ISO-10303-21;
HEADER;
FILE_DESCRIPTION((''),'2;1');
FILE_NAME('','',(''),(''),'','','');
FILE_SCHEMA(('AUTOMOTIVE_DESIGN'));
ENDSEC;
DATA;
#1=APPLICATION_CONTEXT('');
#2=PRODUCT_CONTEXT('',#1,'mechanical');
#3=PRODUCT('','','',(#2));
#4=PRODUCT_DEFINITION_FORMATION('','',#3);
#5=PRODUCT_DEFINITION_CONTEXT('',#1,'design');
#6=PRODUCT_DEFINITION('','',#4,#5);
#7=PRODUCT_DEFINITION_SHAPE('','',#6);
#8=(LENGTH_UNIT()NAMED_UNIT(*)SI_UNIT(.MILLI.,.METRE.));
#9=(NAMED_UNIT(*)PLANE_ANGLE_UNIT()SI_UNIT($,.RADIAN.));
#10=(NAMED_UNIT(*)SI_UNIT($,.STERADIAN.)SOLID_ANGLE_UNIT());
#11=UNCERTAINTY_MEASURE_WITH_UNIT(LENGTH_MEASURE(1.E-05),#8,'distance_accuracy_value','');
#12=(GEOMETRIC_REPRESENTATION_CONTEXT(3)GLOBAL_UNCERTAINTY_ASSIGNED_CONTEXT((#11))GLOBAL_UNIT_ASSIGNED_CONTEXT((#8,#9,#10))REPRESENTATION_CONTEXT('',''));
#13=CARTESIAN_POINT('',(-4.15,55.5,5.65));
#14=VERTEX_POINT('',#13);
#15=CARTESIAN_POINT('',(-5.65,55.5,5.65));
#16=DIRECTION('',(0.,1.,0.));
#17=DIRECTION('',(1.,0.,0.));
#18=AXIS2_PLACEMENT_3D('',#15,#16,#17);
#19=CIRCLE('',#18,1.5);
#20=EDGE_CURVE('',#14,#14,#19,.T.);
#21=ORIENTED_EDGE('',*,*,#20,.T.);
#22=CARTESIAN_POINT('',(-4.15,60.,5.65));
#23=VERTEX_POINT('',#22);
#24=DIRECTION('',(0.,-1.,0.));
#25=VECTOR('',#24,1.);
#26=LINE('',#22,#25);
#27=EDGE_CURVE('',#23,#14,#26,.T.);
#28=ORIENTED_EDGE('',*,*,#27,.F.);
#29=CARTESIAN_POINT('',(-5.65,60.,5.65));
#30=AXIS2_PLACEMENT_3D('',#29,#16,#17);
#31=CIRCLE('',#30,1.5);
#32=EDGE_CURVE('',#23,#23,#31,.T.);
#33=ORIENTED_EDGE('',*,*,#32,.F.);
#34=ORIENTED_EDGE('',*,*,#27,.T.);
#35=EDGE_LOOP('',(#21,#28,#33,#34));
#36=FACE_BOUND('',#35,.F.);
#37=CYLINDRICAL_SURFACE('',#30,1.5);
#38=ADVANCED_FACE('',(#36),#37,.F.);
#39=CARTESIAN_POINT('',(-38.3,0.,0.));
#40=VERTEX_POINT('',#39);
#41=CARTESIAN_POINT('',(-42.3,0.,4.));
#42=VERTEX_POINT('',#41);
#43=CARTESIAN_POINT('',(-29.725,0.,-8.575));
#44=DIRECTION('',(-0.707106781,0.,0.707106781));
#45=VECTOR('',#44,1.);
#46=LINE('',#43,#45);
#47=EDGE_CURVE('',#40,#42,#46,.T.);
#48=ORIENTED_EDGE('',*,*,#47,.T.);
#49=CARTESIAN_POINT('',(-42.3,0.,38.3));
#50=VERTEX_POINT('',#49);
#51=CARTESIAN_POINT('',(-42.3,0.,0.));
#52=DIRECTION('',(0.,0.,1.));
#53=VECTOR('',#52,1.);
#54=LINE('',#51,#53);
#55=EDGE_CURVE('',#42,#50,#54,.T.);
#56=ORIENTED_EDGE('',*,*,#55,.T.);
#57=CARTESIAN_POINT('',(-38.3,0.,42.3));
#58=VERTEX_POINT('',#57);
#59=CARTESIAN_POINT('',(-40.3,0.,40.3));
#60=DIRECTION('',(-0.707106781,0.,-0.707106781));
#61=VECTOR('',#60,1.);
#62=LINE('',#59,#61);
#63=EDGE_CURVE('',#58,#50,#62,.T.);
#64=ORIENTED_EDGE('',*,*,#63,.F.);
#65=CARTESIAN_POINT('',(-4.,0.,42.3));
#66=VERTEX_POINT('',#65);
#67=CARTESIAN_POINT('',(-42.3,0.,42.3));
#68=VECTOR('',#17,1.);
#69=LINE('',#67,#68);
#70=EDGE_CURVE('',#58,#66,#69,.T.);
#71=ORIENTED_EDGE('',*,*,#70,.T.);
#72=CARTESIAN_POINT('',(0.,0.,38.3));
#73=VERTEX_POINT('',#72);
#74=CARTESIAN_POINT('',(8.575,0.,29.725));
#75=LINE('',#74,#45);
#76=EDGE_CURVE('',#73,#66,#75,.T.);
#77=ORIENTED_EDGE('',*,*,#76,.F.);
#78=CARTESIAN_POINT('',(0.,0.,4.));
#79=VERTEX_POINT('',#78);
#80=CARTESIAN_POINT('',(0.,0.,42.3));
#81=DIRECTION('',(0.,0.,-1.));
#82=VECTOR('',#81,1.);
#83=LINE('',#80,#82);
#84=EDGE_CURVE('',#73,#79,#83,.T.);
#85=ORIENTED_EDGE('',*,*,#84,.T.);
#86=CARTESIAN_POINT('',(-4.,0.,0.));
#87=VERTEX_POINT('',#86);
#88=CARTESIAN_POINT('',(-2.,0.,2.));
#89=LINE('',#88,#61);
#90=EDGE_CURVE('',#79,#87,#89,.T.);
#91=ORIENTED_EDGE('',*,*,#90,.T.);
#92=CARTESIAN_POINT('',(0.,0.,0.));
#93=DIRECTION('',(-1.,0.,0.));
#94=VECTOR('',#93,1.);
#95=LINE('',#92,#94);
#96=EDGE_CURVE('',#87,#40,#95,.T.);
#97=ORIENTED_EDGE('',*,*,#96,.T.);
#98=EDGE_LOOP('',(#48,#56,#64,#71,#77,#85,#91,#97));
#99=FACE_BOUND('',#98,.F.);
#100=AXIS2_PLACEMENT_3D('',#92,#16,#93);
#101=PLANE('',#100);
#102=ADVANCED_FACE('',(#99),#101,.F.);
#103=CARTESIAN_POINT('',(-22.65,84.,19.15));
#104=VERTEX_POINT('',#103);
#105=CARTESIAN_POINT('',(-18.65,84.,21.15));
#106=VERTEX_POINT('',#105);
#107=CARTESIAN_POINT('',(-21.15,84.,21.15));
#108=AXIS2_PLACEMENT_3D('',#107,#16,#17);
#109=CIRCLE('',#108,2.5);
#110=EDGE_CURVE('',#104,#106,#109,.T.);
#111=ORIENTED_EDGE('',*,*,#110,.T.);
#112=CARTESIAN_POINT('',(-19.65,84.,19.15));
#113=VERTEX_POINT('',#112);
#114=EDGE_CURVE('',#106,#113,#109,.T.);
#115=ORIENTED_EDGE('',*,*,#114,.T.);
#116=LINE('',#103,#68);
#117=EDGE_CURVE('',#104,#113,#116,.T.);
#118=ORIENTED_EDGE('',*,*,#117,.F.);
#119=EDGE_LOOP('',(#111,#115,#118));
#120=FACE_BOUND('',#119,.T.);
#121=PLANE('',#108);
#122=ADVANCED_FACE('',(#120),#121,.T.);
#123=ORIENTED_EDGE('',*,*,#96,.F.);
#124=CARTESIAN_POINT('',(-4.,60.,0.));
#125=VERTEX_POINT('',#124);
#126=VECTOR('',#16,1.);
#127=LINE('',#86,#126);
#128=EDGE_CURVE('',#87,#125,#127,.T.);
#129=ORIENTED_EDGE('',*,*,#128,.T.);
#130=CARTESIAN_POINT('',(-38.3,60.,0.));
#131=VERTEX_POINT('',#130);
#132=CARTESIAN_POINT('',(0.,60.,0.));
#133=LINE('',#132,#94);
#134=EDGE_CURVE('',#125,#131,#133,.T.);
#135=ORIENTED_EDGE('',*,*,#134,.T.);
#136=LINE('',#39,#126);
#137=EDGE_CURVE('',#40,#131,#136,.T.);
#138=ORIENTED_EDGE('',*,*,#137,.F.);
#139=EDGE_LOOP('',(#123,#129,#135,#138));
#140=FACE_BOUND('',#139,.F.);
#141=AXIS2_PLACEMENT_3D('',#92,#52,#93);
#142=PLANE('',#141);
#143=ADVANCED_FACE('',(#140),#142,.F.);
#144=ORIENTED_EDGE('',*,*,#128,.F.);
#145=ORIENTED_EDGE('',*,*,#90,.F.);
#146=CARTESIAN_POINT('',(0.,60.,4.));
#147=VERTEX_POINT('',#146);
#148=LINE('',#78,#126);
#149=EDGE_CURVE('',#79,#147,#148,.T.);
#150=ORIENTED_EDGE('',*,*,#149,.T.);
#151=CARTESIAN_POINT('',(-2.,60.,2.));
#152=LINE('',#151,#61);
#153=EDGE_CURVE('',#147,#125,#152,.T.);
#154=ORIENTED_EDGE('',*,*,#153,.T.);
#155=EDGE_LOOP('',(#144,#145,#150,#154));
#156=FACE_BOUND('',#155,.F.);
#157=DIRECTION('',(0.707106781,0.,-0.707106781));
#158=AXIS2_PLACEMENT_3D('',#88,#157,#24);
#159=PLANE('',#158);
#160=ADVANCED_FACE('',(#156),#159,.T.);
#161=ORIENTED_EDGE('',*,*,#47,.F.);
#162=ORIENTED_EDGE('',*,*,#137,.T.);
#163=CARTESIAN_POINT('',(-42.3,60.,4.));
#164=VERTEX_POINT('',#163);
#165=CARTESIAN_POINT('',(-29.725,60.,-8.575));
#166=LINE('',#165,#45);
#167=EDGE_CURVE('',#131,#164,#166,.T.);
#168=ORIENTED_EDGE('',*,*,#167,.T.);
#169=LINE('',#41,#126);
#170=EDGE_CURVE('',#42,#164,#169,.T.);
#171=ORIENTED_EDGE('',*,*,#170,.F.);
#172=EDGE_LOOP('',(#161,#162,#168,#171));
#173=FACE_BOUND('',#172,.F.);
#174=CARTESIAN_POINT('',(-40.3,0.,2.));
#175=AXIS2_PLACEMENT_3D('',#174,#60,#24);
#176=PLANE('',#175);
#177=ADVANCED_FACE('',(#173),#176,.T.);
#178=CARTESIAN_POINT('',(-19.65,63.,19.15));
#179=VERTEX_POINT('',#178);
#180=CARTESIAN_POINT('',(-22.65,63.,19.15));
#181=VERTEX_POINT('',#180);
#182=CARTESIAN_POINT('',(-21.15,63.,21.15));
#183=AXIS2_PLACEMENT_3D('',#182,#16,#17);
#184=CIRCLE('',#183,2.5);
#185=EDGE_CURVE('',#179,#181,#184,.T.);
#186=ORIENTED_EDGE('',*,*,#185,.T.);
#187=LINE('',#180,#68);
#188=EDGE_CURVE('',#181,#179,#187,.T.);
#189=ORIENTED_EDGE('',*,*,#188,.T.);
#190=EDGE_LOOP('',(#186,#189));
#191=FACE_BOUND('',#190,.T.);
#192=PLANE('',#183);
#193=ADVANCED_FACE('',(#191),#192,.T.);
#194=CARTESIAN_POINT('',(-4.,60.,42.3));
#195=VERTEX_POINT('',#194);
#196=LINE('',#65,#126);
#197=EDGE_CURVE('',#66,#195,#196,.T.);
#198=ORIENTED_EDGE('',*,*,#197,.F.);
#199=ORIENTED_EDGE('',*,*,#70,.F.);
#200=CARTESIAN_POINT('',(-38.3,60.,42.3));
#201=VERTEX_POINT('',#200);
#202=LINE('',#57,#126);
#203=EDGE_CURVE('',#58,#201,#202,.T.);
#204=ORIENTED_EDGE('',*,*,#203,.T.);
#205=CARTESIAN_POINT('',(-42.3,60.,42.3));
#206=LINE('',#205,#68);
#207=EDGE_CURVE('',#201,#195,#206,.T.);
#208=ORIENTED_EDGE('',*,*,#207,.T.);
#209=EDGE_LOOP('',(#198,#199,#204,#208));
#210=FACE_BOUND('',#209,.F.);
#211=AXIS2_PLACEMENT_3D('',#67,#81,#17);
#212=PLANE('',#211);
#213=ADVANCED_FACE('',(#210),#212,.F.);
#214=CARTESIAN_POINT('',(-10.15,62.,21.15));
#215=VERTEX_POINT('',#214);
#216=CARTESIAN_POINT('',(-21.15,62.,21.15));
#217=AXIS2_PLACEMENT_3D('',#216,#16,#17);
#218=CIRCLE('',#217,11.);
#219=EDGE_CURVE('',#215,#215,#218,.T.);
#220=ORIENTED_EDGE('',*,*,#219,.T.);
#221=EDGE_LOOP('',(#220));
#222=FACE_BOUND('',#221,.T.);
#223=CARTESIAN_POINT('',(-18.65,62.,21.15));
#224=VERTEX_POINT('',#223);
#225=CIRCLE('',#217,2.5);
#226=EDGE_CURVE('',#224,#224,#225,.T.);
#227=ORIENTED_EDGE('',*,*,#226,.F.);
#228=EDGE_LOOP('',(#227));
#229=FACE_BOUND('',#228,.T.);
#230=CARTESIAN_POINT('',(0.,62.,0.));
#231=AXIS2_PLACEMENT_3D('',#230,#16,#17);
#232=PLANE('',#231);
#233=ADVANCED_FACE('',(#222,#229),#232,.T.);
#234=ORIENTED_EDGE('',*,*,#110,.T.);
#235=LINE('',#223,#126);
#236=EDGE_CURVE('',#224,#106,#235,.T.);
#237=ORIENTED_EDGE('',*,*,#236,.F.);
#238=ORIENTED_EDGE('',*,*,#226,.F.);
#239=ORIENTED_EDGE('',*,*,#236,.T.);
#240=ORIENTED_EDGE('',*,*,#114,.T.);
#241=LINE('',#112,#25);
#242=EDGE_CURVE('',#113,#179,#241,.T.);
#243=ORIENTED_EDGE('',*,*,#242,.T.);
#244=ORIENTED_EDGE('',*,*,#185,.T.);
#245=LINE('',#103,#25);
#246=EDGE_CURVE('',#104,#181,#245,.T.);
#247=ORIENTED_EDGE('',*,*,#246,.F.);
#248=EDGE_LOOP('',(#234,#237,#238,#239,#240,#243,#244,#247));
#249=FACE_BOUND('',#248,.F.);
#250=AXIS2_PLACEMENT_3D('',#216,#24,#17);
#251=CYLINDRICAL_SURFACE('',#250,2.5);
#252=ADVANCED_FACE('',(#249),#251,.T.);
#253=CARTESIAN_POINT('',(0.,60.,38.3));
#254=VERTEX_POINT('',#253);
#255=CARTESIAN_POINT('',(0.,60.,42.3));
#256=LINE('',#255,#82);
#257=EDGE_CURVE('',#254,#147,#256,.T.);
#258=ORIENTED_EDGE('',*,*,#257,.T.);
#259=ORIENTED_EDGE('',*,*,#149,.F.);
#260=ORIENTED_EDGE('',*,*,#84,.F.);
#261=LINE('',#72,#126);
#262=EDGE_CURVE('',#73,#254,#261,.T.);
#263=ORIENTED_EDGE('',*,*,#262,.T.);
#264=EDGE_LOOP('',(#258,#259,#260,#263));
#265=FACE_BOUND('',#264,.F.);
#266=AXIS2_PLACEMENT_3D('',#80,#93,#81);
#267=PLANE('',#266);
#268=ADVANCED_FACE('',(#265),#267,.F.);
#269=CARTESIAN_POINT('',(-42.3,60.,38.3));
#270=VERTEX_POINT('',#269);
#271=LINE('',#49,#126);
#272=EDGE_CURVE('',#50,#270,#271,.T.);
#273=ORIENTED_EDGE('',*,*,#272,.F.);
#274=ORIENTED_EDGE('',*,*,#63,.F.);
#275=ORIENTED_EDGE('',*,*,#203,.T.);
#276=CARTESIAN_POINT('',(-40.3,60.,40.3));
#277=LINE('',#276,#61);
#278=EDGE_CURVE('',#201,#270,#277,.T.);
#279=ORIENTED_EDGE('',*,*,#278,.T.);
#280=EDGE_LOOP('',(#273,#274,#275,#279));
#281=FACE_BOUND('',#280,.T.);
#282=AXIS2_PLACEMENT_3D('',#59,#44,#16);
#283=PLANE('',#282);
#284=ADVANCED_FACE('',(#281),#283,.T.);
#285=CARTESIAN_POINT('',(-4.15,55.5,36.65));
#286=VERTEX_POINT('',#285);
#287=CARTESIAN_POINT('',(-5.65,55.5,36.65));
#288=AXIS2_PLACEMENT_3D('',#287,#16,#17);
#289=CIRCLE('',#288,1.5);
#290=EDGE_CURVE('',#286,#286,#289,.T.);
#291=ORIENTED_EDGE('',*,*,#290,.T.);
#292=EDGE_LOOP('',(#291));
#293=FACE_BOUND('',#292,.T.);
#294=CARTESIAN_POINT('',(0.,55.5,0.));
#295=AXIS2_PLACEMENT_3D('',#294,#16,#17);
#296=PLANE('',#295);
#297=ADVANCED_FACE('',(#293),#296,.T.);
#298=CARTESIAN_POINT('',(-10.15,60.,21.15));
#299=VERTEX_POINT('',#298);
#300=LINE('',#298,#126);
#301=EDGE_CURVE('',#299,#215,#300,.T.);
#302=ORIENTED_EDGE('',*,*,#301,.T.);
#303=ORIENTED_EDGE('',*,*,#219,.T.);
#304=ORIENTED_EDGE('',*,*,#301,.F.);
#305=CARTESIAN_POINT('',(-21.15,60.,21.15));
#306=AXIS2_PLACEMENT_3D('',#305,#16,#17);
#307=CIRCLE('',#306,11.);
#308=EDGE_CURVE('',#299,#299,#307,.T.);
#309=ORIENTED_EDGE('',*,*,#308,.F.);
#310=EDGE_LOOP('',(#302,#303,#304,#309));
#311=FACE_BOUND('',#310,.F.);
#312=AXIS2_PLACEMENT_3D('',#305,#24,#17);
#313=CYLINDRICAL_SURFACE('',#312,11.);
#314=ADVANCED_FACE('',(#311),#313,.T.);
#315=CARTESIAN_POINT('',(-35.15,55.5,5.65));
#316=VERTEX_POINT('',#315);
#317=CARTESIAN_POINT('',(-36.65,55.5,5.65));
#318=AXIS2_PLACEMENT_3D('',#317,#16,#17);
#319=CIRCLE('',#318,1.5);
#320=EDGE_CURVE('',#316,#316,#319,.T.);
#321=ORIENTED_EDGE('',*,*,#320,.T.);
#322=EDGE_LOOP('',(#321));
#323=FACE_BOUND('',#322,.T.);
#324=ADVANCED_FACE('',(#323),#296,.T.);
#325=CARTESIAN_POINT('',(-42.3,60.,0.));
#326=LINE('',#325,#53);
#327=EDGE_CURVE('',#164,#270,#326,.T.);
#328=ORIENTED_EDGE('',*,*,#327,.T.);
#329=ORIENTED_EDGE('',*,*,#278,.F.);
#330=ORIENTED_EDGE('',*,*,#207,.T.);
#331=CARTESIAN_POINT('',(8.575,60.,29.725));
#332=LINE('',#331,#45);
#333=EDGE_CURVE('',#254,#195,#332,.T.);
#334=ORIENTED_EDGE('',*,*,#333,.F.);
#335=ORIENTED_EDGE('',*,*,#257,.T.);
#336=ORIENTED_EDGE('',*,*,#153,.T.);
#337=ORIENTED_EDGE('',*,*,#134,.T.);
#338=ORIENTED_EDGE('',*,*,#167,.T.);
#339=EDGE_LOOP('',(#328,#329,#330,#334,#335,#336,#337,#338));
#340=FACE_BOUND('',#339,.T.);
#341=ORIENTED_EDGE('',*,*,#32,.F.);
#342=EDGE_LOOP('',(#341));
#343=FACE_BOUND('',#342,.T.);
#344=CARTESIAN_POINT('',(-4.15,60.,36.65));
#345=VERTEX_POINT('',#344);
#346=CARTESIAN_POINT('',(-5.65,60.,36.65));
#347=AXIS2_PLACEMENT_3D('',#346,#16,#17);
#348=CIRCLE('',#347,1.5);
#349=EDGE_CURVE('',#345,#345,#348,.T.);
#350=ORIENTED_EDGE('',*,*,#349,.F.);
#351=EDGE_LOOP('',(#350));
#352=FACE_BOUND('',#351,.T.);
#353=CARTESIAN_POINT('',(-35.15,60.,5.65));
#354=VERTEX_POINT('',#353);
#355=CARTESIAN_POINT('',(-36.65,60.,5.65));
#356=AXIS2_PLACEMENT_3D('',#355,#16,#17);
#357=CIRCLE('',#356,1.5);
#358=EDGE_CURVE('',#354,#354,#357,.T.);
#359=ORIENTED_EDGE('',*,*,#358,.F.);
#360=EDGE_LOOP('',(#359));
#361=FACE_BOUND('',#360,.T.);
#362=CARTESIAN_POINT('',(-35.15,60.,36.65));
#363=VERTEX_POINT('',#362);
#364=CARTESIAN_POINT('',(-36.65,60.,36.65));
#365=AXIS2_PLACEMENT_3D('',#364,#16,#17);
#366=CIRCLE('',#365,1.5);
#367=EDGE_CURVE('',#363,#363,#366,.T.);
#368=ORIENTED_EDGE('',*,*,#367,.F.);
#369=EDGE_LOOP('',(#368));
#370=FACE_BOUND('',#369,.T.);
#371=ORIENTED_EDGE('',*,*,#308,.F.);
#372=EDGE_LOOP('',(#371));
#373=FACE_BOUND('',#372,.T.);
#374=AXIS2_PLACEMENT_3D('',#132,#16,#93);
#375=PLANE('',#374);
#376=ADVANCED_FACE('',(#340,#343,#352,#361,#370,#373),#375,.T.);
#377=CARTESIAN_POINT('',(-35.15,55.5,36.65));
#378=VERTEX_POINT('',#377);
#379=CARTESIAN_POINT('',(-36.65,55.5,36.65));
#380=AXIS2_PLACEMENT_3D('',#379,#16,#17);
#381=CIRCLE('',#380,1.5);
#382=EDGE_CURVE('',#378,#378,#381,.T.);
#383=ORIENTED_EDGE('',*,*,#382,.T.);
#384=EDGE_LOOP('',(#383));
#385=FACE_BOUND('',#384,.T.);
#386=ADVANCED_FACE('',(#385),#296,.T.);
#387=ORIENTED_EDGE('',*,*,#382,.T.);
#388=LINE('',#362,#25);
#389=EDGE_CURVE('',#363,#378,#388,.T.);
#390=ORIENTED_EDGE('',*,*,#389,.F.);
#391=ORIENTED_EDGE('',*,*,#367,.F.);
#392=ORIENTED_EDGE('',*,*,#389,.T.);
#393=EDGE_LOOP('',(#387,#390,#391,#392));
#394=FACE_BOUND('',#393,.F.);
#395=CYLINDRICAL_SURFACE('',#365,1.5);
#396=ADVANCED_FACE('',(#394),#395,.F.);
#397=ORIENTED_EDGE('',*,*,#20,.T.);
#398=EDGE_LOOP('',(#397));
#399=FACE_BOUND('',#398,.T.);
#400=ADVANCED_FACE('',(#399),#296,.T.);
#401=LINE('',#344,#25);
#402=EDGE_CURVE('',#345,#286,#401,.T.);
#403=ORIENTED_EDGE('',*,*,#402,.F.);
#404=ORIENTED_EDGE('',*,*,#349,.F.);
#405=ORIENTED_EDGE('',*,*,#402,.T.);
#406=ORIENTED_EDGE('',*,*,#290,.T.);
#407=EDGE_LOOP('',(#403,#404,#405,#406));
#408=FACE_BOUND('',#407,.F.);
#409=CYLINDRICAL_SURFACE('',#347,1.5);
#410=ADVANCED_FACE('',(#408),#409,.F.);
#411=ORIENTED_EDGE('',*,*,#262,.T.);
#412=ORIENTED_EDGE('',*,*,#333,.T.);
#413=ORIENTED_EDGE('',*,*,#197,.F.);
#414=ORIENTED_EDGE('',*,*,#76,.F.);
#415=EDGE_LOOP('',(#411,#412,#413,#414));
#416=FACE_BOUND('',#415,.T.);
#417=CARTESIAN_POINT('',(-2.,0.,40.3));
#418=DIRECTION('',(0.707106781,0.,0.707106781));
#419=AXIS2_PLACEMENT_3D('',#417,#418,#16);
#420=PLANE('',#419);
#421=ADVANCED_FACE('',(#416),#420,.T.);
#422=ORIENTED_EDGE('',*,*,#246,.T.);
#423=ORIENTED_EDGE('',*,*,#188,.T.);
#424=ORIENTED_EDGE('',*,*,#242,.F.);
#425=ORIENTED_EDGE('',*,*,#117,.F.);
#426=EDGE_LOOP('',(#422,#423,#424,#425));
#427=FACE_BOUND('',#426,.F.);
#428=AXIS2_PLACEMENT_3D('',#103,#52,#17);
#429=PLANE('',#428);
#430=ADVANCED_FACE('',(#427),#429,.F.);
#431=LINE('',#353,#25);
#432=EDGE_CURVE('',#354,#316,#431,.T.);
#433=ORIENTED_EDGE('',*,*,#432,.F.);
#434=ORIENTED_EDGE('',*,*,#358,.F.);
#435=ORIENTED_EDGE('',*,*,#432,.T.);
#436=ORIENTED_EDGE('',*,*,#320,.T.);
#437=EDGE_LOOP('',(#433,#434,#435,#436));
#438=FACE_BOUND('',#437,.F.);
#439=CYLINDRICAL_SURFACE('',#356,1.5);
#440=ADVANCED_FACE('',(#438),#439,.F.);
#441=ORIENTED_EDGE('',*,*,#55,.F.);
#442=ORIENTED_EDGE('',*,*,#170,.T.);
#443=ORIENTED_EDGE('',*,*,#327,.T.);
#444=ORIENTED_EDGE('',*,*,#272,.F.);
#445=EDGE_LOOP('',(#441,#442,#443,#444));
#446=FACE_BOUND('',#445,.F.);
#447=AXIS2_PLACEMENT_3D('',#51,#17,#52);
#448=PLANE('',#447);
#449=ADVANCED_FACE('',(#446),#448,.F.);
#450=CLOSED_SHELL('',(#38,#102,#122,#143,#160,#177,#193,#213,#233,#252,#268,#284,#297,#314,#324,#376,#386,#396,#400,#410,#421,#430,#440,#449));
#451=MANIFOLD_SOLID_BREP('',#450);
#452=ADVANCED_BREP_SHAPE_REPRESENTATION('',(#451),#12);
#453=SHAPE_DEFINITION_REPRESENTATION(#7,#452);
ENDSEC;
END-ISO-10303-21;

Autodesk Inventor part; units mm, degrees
ref_plane "YZ Plane" through (0, 0, 0) normal (1, 0, 0) x (0, 1, 0)
ref_plane "XZ Plane" through (0, 0, 0) normal (0, 1, 0) x (-1, 0, 0)
ref_plane "XY Plane" through (0, 0, 0) normal (0, 0, 1) x (1, 0, 0)
sketch "Sketch1" plane through (0, 0, 0) normal (0, 1, 0) x (-1, 0, 0)
  line L0 (0, 0) -> (42.3, 0)
  line L1 (42.3, 0) -> (42.3, 42.3)
  line L2 (42.3, 42.3) -> (0, 42.3)
  line L3 (0, 42.3) -> (0, 0)
  dimension "d0" = 42.3
  dimension "d1" = 42.3
extrude "Extrusion1" add sketch "Sketch1" along normal blind 60
sketch "Sketch2" plane through (0, 60, 0) normal (0, 1, 0) x (1, 0, 0)
  line L0 (0, 0) -> (-42.3, 0) projected
  line L1 (0, -42.3) -> (0, 0) projected
  circle A0 centre (-21.15, -21.15) radius 11
  point P0 (0, -2)
  point P1 (-2, 0)
  point P2 (-40.3, 0)
  point P3 (0, -40.3)
  dimension "d6" = 22
  dimension "d7" = 21.15
  dimension "d8" = 21.15
extrude "Extrusion2" add sketch "Sketch2" along normal blind 2
sketch "Sketch3" plane through (-21.15, 62, 21.15) normal (0, 1, 0) x (1, 0, 0)
  circle A0 centre (0, 0) radius 11 projected
  circle A1 centre (0, 0) radius 2.5
  point P0 (21.15, 21.15)
  dimension "d11" = 5
extrude "Extrusion3" add sketch "Sketch3" along normal blind 22 contours A1
sketch "Sketch4" plane through (-21.15, 84, 21.15) normal (0, 1, 0) x (1, 0, 0)
  circle A0 centre (0, 0) radius 2.5 projected
  line L0 (-1.5, 2) -> (1.5, 2)
  point P0 (21.15, 21.15)
  dimension "d14" = 2
extrude "Extrusion4" cut sketch "Sketch4" against normal blind 21 contours L0 A0 picked at (-0.3466, 2.0912)
sketch "Sketch5" plane through (0, 60, 0) normal (0, 1, 0) x (1, 0, 0)
  line L0 (-42.3, 0) -> (-42.3, -42.3) projected
  line L1 (-42.3, -42.3) -> (0, -42.3) projected
  circle A0 centre (-36.65, -5.65) radius 1.5
  circle A1 centre (-5.65, -5.65) radius 1.5
  circle A2 centre (-5.65, -36.65) radius 1.5
  circle A3 centre (-36.65, -36.65) radius 1.5
  point P0 (-42.3, -2)
  point P1 (-42.3, -40.3)
  point P2 (-40.3, -42.3)
  point P3 (-2, -42.3)
  point P4 (0, 0)
  dimension "d17" = 3
  dimension "d18" = 3
  dimension "d19" = 3
  dimension "d20" = 3
  dimension "d21" = 31
  dimension "d22" = 5.65
  dimension "d23" = 31
  dimension "d24" = 5.65
extrude "Extrusion5" cut sketch "Sketch5" against normal blind 4.5
chamfer "Chamfer1" distance 4 angle 45 4 edges at (-42.3, 30, 0) (-42.3, 30, 42.3) (0, 30, 0) (0, 30, 42.3)
properties part number "StepperMotorNema17"
